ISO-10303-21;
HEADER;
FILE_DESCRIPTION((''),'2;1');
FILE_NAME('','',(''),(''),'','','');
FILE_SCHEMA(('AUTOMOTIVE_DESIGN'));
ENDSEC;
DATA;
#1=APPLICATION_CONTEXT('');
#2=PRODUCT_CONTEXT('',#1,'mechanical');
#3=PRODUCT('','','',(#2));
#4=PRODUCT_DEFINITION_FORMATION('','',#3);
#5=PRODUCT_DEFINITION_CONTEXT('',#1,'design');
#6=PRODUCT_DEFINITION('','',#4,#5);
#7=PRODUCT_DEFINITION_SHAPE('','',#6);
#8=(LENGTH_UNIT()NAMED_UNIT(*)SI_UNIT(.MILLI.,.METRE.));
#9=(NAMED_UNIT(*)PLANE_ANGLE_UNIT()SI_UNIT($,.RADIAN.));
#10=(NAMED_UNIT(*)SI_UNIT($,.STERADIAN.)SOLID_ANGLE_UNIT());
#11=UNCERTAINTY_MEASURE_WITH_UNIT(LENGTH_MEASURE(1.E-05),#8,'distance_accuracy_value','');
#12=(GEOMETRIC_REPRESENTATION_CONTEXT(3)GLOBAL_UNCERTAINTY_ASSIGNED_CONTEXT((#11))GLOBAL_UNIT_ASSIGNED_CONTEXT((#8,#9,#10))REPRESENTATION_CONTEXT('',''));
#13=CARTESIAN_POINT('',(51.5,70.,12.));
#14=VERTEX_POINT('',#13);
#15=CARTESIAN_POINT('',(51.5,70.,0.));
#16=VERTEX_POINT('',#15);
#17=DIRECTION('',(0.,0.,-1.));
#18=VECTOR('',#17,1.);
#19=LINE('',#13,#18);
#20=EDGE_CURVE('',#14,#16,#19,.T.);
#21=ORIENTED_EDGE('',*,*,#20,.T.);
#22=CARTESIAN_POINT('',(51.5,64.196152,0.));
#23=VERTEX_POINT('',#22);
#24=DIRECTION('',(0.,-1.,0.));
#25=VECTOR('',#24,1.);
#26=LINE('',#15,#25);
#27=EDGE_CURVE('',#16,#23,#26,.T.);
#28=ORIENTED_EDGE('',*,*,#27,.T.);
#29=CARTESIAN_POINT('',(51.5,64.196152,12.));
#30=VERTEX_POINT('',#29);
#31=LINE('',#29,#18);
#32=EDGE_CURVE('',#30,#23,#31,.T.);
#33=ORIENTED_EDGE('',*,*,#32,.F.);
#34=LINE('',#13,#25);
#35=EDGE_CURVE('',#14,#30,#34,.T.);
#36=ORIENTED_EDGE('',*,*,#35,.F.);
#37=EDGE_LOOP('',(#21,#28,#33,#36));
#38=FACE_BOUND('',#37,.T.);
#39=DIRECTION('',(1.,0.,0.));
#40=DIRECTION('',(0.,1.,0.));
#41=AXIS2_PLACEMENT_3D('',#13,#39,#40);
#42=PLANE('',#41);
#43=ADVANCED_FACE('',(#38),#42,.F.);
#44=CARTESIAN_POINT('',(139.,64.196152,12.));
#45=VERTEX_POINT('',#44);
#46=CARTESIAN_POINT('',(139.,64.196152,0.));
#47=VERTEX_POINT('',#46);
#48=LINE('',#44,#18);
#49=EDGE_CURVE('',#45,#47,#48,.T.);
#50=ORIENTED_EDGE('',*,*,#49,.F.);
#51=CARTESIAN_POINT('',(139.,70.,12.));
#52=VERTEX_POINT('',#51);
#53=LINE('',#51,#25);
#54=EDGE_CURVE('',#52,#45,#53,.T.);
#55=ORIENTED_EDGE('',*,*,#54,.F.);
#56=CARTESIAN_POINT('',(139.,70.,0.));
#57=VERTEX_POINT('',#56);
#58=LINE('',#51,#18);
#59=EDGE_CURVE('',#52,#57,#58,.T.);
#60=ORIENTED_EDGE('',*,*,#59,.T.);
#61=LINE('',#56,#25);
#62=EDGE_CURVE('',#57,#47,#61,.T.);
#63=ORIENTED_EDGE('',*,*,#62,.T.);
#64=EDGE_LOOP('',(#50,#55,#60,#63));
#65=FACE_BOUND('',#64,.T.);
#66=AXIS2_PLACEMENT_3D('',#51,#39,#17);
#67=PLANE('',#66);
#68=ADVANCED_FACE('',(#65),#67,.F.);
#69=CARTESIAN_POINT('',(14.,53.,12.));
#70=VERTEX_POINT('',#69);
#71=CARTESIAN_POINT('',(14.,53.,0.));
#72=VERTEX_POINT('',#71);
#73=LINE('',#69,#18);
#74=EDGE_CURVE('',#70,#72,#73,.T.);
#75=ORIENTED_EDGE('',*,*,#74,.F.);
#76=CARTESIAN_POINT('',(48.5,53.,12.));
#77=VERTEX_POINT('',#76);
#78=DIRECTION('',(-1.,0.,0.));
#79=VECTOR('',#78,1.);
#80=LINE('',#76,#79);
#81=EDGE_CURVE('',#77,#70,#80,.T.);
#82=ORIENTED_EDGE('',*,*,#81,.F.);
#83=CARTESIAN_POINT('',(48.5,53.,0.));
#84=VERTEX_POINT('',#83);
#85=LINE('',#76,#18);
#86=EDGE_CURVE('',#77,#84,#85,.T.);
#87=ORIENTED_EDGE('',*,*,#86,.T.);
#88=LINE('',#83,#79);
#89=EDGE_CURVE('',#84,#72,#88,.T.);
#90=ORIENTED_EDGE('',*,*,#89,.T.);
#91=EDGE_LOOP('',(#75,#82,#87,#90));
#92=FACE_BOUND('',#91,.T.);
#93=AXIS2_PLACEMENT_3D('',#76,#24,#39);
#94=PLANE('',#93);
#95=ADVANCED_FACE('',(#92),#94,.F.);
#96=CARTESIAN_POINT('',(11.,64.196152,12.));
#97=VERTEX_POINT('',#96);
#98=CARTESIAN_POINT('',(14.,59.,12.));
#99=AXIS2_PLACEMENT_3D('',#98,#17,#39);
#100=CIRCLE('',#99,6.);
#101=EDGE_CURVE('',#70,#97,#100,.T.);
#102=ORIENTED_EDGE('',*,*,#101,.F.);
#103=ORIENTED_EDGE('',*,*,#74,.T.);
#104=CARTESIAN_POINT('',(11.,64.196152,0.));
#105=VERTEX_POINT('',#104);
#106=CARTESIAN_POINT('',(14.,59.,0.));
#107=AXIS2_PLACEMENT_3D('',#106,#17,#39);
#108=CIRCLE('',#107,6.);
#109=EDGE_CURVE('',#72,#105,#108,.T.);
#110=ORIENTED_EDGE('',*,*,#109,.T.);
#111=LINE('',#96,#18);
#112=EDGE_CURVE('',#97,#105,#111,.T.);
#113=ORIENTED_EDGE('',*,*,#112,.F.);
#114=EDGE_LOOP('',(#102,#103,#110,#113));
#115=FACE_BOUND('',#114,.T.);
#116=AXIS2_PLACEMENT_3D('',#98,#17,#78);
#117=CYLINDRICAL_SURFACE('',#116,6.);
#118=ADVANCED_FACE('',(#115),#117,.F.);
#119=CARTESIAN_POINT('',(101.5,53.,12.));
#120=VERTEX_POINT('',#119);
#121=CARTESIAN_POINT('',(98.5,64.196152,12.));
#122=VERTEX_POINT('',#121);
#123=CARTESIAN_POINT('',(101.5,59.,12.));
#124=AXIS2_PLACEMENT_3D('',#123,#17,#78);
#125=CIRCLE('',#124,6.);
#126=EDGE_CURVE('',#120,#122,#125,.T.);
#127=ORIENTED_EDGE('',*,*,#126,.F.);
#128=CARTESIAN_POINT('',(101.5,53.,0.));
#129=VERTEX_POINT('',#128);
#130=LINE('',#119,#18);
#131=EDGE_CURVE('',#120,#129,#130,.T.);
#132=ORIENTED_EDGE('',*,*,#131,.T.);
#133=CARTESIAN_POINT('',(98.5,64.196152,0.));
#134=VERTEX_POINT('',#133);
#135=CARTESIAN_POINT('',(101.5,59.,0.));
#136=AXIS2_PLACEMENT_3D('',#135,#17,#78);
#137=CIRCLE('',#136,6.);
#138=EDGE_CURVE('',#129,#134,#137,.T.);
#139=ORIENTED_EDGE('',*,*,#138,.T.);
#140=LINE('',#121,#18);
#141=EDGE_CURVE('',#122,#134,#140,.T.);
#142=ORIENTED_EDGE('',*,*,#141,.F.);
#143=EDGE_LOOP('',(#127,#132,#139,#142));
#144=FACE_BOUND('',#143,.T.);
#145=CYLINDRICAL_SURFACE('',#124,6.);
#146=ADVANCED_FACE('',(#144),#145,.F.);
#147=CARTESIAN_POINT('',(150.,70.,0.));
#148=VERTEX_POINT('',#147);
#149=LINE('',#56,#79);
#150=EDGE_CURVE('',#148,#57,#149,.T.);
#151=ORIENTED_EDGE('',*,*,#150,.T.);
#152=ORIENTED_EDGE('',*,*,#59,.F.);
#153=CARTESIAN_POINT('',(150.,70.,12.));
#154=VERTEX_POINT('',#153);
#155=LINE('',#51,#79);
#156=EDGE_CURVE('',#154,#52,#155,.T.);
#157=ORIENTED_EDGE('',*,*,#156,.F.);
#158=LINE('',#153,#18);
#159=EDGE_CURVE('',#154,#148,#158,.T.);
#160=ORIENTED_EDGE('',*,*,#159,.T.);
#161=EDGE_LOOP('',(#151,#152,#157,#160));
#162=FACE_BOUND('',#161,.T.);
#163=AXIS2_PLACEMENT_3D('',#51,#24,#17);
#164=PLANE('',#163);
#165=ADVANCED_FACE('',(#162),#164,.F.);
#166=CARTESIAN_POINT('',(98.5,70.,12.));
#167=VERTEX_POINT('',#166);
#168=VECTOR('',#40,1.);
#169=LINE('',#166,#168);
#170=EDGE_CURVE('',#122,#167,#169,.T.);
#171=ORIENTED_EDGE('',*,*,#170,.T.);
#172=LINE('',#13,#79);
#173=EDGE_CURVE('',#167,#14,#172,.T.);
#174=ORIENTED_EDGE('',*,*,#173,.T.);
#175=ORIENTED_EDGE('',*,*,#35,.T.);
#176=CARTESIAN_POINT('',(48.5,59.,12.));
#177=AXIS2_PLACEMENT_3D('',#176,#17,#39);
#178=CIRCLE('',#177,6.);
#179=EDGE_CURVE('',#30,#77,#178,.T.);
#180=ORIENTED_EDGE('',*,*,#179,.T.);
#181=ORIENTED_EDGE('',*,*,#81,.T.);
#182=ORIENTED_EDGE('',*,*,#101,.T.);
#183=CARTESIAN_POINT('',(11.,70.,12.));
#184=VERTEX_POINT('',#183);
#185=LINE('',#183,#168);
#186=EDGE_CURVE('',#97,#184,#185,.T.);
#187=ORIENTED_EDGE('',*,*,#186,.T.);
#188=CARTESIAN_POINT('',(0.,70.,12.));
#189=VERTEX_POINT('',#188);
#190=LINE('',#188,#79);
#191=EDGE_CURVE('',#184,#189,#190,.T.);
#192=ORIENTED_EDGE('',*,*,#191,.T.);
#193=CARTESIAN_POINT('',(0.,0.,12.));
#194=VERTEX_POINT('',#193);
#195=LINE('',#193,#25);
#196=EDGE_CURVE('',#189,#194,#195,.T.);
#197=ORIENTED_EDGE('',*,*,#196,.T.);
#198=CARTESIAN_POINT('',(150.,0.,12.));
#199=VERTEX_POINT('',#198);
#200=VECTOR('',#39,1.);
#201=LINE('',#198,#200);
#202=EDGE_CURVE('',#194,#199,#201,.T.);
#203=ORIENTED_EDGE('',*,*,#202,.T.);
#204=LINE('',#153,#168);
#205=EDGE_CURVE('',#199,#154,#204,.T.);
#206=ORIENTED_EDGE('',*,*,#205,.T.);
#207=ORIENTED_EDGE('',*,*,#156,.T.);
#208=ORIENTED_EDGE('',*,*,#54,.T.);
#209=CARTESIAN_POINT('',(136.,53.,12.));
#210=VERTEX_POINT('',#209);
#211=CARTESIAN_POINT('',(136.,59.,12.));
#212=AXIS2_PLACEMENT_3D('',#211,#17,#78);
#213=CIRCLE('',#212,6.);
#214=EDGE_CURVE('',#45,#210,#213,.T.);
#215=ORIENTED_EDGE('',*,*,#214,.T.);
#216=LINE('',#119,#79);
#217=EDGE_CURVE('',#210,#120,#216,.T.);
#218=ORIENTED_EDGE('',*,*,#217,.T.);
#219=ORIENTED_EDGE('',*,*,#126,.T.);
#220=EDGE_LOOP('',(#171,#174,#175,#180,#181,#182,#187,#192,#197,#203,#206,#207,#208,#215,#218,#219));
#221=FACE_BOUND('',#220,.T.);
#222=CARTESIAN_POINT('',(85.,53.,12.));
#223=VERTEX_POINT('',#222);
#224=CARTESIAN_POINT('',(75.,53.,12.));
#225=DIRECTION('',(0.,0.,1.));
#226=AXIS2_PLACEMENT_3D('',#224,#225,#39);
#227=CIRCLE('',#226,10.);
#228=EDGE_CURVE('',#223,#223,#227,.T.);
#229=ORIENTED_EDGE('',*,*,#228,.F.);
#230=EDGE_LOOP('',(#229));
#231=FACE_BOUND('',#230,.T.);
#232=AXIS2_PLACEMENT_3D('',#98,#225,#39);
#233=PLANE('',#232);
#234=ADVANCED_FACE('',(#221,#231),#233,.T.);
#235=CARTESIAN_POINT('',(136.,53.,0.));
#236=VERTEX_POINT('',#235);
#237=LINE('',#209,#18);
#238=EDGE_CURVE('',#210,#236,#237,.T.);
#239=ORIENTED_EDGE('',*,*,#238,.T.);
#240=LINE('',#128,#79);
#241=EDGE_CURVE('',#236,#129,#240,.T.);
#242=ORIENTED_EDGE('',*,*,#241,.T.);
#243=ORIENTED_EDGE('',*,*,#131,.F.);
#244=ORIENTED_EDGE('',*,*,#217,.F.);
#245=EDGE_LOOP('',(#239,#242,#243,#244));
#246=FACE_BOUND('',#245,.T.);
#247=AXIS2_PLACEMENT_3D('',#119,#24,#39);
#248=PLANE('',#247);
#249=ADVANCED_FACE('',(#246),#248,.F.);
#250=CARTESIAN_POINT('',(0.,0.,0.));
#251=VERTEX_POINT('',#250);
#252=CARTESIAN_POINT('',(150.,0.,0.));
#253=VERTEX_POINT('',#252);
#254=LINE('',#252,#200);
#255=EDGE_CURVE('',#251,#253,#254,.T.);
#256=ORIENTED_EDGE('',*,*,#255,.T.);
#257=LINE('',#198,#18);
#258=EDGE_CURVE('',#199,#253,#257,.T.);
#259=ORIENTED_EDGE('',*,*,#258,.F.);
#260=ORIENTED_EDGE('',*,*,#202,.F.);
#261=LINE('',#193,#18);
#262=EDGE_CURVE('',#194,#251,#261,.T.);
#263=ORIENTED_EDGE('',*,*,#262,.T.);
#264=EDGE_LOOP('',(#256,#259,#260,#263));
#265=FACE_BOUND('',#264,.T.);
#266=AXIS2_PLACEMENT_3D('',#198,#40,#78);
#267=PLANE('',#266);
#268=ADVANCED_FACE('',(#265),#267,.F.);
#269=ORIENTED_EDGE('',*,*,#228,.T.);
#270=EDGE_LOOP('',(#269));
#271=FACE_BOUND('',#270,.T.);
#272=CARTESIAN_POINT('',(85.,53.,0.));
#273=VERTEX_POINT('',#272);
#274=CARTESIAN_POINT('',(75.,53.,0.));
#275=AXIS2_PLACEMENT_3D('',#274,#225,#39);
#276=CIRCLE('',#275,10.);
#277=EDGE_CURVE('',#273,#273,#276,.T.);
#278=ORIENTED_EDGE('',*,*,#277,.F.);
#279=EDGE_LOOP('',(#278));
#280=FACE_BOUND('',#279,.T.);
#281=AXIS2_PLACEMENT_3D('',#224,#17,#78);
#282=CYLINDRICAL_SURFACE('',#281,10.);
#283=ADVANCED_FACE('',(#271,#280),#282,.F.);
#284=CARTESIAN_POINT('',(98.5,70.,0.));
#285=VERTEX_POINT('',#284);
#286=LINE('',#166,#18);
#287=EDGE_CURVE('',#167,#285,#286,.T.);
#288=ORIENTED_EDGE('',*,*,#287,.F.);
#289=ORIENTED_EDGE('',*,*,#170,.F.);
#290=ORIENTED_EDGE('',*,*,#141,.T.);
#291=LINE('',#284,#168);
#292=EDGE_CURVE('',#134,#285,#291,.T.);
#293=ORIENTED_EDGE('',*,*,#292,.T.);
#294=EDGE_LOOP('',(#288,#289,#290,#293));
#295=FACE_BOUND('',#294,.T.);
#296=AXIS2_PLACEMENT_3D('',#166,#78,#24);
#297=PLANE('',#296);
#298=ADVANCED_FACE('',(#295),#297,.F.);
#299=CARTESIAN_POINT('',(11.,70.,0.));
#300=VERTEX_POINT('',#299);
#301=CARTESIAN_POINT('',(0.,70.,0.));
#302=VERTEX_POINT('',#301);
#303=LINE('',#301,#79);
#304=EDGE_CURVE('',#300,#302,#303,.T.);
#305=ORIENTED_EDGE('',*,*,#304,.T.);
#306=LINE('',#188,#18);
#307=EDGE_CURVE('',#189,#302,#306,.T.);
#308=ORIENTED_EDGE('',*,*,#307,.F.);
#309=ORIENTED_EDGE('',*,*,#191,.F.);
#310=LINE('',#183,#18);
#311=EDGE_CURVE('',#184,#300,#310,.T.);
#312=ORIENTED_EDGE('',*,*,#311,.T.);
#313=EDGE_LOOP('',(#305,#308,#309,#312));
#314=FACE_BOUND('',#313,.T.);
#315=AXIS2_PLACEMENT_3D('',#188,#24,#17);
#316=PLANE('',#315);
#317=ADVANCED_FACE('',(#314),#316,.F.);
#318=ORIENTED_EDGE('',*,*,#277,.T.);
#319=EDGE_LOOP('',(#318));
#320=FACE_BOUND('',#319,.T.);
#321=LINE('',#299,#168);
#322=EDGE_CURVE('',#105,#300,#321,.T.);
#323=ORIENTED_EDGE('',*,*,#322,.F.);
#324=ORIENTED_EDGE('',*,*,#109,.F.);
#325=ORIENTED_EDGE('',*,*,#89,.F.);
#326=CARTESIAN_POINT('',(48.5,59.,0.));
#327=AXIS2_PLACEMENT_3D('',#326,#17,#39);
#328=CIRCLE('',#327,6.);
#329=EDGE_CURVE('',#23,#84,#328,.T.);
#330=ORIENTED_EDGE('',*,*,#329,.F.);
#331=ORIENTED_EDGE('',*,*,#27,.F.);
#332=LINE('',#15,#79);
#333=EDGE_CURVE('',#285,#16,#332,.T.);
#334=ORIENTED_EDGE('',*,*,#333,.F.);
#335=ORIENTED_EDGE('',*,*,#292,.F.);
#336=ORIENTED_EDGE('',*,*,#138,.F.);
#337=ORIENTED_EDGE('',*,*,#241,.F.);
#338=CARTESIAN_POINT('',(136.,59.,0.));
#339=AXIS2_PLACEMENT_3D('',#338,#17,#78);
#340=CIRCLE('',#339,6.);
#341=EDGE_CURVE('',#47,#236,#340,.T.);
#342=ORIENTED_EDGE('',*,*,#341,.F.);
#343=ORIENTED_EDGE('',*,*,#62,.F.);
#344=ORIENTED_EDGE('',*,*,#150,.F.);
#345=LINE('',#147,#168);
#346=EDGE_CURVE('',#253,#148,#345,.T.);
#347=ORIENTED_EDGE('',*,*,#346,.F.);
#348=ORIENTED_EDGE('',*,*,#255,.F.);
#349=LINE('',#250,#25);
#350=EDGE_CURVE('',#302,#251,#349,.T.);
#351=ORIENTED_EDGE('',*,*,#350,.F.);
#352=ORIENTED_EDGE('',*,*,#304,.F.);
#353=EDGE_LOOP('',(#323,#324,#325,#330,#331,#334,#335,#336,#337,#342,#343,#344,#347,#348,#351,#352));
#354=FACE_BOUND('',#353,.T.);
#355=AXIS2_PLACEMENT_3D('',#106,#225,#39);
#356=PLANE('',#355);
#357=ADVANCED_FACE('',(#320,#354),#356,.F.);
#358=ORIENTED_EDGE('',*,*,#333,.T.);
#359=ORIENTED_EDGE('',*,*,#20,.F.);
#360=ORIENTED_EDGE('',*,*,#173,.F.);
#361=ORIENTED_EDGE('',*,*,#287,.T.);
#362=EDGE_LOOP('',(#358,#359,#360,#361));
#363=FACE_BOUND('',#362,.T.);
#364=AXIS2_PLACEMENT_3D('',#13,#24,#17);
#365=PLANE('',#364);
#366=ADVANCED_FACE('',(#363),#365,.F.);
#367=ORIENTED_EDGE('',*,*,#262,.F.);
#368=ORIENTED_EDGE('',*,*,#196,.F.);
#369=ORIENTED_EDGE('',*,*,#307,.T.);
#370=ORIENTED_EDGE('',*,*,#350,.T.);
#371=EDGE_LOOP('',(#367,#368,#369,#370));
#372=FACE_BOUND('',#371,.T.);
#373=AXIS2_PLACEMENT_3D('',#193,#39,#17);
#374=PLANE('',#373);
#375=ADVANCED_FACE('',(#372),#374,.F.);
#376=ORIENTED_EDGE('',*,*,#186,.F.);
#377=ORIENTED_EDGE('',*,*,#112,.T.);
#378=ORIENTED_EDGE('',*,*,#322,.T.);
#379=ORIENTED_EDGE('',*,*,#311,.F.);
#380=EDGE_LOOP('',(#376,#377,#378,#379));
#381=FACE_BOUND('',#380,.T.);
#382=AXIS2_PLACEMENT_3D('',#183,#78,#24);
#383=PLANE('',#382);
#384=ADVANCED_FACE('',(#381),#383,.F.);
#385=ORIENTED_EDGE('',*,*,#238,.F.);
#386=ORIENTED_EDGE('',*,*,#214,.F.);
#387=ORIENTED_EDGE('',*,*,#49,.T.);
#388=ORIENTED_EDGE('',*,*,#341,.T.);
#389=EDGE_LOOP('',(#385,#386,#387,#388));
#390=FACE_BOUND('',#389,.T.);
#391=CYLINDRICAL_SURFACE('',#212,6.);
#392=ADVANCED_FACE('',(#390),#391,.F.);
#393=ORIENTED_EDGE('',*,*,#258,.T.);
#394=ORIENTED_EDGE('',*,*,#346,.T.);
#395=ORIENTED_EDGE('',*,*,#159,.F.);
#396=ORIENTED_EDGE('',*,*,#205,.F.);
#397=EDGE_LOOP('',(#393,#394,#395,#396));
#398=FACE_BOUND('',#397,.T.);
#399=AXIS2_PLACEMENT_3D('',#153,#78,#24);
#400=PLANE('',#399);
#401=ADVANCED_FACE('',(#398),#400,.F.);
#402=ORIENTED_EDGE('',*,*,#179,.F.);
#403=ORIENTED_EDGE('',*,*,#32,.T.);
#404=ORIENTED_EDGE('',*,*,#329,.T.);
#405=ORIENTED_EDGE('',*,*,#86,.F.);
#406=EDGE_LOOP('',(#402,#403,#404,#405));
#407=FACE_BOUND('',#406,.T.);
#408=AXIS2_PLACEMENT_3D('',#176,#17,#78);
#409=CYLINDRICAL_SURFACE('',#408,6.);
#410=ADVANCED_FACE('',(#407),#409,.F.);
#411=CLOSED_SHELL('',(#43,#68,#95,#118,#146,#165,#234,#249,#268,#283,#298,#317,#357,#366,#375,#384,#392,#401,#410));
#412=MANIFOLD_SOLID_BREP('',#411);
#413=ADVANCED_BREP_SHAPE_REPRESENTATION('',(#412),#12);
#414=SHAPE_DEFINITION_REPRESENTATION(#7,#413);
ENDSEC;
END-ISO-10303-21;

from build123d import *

# Parameters (mm, degrees)
CROQUIS1_R              = 10
SALIENTE_EXTRUIR1_DEPTH = 12


with BuildPart() as part:
    # Croquis1 → Saliente-Extruir1 (new body)
    with BuildSketch(Plane.XY):
        with BuildLine():
            Line((0, 0), (0, 70))
            Line((0, 70), (11, 70))
            Line((11, 70), (11, 64.196152423))
            ThreePointArc((11, 64.196152423), (8.204445042, 57.447085729), (14, 53))
            Line((14, 53), (48.5, 53))
            ThreePointArc((48.5, 53), (54.295554958, 57.447085729), (51.5, 64.196152423))
            Line((51.5, 64.196152423), (51.5, 70))
            Line((51.5, 70), (98.5, 70))
            Line((98.5, 70), (98.5, 64.196152423))
            ThreePointArc((98.5, 64.196152423), (95.704445042, 57.447085729), (101.5, 53))
            Line((101.5, 53), (136, 53))
            ThreePointArc((136, 53), (141.795554958, 57.447085729), (139, 64.196152423))
            Line((139, 64.196152423), (139, 70))
            Line((139, 70), (150, 70))
            Line((150, 70), (150, 0))
            Line((150, 0), (0, 0))
        make_face()
        with Locations((75, 53)):
            Circle(CROQUIS1_R, mode=Mode.SUBTRACT)
    extrude(amount=SALIENTE_EXTRUIR1_DEPTH)


solid = part.part
